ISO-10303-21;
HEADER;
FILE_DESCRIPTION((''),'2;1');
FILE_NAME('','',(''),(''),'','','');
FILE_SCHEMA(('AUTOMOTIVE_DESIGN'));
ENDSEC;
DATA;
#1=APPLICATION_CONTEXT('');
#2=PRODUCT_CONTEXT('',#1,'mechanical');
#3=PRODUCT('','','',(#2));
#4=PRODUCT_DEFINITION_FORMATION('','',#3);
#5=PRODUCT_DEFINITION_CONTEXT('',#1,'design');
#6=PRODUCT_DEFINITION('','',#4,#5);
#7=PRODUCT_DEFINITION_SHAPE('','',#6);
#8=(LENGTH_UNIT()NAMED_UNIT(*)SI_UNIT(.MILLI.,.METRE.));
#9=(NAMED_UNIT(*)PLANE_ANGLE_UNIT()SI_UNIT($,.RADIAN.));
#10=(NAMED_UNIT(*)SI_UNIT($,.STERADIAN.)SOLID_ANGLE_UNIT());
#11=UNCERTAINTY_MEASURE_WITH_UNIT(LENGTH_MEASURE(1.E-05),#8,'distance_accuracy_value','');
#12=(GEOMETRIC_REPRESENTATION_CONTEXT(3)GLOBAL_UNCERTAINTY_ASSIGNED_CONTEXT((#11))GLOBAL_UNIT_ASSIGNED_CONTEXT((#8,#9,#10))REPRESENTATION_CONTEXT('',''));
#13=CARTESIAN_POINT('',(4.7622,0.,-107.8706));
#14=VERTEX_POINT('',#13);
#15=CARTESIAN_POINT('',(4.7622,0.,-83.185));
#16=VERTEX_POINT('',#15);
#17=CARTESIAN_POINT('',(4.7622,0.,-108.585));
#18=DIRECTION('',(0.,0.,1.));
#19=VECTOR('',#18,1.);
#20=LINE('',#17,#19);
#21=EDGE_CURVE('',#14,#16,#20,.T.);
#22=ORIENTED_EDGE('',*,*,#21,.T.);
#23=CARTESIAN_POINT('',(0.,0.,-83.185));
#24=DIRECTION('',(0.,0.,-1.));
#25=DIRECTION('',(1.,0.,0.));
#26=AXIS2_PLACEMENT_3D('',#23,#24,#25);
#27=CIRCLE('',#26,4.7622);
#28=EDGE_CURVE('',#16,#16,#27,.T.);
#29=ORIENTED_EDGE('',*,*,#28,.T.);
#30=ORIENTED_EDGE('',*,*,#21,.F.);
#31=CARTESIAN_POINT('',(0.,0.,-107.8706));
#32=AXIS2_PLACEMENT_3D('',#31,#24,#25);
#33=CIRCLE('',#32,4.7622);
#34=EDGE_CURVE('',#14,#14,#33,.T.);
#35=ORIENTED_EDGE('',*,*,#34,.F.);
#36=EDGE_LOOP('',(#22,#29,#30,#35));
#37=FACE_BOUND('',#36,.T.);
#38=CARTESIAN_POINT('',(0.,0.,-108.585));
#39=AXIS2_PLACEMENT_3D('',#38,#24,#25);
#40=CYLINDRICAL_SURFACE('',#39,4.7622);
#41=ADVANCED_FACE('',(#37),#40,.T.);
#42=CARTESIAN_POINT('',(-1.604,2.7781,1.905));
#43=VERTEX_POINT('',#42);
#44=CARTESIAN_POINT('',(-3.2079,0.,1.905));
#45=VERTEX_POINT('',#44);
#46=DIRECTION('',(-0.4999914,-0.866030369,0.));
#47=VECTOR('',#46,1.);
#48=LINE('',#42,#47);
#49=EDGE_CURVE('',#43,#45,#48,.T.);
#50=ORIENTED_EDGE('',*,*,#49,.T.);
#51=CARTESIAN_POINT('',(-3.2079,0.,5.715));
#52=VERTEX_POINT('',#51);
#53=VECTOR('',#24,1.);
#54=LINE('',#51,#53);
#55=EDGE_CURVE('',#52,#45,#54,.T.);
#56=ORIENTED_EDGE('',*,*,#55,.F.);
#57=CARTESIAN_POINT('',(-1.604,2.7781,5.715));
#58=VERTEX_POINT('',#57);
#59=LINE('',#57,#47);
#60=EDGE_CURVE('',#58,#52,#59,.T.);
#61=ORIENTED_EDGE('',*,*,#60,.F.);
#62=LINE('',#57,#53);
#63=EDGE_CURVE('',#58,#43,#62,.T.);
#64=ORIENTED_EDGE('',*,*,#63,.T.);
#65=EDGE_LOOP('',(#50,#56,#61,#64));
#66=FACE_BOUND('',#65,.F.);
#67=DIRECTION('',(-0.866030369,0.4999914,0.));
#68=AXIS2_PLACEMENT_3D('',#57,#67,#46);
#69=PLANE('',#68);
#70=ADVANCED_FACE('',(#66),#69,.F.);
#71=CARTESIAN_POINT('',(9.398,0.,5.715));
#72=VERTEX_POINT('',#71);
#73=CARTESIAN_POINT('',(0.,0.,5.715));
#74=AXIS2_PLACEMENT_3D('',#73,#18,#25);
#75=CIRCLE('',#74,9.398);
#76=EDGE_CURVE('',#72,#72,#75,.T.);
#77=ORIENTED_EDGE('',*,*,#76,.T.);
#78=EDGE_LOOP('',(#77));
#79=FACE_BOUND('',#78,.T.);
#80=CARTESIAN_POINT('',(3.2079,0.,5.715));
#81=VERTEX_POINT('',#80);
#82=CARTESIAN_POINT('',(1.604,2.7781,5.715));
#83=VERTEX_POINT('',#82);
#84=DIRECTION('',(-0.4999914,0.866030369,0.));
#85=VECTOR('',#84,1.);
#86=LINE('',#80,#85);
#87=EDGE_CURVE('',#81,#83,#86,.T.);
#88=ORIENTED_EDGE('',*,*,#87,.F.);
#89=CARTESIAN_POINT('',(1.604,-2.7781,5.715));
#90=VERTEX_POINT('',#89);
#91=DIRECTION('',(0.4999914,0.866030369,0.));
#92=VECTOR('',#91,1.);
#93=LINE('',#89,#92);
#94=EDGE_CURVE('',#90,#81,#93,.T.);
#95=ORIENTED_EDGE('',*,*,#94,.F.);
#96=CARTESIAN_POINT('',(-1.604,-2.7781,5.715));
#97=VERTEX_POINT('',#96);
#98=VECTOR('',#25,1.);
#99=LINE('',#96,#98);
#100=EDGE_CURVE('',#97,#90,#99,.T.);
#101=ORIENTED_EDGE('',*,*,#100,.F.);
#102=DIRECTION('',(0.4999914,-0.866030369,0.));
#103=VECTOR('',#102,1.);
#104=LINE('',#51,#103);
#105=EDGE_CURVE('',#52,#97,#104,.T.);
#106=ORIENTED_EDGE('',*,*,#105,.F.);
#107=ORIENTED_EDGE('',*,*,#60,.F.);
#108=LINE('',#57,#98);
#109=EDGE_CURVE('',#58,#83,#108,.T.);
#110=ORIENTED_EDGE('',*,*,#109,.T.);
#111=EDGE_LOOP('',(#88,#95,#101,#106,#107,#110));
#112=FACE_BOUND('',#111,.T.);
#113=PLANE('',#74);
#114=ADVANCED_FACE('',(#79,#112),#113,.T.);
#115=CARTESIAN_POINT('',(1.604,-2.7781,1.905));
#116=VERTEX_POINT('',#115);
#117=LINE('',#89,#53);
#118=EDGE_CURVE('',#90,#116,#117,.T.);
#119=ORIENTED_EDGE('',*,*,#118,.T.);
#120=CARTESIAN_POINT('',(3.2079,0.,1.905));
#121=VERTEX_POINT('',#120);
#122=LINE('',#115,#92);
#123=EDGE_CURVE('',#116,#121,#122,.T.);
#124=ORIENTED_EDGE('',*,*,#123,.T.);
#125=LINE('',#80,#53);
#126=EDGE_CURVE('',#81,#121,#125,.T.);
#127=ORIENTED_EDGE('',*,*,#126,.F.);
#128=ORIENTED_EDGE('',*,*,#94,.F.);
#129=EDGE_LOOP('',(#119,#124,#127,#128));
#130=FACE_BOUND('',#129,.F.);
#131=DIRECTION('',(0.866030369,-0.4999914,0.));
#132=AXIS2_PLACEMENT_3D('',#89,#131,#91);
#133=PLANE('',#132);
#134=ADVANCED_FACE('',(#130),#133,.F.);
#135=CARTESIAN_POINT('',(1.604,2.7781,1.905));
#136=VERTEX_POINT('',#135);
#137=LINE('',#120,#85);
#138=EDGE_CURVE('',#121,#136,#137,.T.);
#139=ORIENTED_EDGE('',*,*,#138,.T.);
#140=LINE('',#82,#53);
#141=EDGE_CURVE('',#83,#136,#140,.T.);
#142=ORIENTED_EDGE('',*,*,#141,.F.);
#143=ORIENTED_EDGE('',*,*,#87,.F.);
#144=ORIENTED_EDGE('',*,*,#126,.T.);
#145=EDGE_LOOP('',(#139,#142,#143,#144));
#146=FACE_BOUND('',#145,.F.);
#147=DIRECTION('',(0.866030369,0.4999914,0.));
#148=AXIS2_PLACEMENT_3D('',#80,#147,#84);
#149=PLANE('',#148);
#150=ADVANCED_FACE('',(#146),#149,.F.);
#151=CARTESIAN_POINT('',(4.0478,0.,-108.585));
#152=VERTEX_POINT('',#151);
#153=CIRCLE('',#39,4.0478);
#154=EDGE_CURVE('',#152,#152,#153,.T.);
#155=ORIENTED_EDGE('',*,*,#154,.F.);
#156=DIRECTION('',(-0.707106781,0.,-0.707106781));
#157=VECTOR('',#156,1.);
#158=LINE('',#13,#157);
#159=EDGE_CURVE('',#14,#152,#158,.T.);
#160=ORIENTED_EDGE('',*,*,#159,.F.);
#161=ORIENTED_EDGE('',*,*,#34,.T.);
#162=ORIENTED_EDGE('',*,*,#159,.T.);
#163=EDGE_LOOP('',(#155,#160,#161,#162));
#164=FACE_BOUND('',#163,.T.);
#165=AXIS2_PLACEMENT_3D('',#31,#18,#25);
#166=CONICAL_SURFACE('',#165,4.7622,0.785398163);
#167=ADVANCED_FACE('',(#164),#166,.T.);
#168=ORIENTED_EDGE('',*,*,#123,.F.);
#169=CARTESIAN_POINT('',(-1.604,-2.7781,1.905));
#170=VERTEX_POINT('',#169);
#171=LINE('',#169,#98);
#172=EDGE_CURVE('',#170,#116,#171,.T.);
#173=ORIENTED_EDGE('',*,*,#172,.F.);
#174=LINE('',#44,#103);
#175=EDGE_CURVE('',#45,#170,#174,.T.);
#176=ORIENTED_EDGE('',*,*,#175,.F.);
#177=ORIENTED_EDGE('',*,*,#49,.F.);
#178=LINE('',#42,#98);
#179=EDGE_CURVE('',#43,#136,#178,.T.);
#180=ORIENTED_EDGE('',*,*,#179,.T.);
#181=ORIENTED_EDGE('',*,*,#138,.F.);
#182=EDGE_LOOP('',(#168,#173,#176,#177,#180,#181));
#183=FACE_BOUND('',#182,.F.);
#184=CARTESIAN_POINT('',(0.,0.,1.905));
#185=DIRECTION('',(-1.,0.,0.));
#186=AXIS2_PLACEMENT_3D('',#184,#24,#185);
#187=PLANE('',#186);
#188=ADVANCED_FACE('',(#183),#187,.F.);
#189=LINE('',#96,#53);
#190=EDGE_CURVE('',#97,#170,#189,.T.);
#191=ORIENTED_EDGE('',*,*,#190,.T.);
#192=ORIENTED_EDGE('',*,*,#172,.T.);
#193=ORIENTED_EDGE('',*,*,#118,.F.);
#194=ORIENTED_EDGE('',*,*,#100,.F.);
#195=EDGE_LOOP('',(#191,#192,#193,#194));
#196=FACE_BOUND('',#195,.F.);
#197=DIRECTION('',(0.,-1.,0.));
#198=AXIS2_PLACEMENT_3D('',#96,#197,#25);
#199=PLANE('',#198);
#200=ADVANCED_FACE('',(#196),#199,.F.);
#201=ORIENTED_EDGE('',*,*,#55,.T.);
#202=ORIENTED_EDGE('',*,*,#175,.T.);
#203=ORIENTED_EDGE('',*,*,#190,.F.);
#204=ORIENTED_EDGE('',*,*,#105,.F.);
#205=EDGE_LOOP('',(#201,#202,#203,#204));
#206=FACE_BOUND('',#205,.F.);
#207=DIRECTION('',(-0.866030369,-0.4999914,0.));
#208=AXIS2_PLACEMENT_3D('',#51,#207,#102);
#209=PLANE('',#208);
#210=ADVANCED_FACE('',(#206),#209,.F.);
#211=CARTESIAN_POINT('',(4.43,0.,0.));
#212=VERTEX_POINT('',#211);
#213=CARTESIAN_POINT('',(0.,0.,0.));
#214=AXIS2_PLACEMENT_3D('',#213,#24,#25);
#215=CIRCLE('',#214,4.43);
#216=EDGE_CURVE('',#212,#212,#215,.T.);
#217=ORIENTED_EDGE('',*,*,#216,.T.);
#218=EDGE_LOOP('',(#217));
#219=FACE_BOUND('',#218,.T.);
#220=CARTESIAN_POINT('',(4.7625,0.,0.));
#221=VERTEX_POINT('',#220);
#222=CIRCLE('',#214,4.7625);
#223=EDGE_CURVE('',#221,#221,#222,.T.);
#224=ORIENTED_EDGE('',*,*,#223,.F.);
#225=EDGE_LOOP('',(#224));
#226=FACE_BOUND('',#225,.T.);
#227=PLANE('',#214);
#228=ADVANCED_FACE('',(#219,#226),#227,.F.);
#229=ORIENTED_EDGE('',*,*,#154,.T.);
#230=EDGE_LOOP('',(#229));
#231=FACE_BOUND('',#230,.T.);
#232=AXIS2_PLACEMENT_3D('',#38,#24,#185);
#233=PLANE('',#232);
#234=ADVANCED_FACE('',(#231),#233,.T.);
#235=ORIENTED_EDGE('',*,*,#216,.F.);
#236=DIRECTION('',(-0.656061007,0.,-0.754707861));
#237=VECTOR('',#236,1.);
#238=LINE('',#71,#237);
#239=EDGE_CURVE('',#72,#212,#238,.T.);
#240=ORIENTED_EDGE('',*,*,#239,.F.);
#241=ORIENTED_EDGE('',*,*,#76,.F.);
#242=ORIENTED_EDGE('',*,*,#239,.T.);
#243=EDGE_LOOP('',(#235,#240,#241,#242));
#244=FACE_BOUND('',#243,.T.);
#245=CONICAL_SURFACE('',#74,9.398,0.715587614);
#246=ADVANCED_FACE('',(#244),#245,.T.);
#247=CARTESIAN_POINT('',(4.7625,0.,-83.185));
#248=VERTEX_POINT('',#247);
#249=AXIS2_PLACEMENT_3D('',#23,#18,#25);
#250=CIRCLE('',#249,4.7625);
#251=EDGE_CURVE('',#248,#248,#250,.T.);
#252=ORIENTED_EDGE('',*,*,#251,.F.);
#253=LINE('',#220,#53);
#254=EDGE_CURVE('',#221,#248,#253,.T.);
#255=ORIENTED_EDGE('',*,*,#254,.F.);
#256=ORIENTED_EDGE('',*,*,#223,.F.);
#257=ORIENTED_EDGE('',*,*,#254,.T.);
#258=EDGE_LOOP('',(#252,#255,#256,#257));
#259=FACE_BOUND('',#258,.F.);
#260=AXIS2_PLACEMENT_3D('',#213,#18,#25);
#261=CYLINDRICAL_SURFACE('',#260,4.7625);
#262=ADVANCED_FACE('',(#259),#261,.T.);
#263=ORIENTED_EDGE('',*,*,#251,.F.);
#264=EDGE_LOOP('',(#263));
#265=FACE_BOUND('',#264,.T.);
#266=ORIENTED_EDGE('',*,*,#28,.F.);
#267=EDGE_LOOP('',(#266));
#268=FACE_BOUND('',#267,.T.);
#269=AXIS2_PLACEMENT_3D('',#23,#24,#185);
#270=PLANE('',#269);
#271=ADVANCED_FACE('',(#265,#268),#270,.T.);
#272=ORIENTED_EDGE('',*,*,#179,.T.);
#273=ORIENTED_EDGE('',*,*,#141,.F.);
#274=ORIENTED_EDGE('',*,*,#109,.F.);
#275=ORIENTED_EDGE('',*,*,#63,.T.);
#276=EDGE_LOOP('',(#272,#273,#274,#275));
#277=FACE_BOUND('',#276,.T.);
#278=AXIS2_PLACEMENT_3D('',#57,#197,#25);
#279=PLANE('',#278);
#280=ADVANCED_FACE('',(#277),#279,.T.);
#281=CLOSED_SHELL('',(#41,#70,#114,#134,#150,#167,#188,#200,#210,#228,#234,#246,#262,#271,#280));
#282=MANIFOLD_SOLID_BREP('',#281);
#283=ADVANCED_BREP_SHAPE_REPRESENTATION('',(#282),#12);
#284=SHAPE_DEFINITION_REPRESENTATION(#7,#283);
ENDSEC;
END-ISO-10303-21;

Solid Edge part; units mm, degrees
sketch "Sketch1" plane through (0, 0, 0) normal (0, 0, 1) x (1, 0, 0)
  circle A0 centre (0, 0) radius 9.398
  dimension "D1" = 18.796
extrude "Protrusion1" add sketch "Sketch1" along normal blind 5.715
sketch "Sketch2" plane through (0, 0, 0) normal (0, 0, -1) x (1, 0, 0)
  circle A0 centre (0, 0) radius 4.7625
extrude "Protrusion2" add sketch "Sketch2" along normal blind 108.585
sketch "Sketch3" plane through (0, 0, -108.585) normal (0, 0, -1) x (1, 0, 0)
  circle A0 centre (0, 0) radius 4.7622
extrude "Cutout1" cut sketch "Sketch3" against normal blind 25.4 flip side to cut
chamfer "Chamfer_1" distance 0.7144 angle 45 1 edges at (-4.7622, 0, -108.585)
sketch "Sketch4" plane through (0, 0, 5.715) normal (0, 0, 1) x (1, 0, 0)
  line L0 (-1.604, 2.7781) -> (1.604, 2.7781)
  line L1 (3.2079, 0) -> (1.604, 2.7781)
  line L2 (1.604, -2.7781) -> (3.2079, 0)
  line L3 (-1.604, -2.7781) -> (1.604, -2.7781)
  line L4 (-3.2079, 0) -> (-1.604, -2.7781)
  line L5 (-1.604, 2.7781) -> (-3.2079, 0)
  dimension "D1" = 5.5562
extrude "Cutout2" cut sketch "Sketch4" against normal blind 3.81
sketch "Sketch5" plane through (0, 0, 0) normal (0, -1, 0) x (1, 0, 0)
  line L0 (9.398, 5.715) -> (4.43, 0)
  line L1 (4.43, 0) -> (9.398, 0)
  line L2 (9.398, 0) -> (9.398, 5.715)
revolve "RevolvedCutout1" cut sketch "Sketch5" angle 360 about axis through (0, 0, 14.0017) along (0, 0, -1)
properties part number "149558"
